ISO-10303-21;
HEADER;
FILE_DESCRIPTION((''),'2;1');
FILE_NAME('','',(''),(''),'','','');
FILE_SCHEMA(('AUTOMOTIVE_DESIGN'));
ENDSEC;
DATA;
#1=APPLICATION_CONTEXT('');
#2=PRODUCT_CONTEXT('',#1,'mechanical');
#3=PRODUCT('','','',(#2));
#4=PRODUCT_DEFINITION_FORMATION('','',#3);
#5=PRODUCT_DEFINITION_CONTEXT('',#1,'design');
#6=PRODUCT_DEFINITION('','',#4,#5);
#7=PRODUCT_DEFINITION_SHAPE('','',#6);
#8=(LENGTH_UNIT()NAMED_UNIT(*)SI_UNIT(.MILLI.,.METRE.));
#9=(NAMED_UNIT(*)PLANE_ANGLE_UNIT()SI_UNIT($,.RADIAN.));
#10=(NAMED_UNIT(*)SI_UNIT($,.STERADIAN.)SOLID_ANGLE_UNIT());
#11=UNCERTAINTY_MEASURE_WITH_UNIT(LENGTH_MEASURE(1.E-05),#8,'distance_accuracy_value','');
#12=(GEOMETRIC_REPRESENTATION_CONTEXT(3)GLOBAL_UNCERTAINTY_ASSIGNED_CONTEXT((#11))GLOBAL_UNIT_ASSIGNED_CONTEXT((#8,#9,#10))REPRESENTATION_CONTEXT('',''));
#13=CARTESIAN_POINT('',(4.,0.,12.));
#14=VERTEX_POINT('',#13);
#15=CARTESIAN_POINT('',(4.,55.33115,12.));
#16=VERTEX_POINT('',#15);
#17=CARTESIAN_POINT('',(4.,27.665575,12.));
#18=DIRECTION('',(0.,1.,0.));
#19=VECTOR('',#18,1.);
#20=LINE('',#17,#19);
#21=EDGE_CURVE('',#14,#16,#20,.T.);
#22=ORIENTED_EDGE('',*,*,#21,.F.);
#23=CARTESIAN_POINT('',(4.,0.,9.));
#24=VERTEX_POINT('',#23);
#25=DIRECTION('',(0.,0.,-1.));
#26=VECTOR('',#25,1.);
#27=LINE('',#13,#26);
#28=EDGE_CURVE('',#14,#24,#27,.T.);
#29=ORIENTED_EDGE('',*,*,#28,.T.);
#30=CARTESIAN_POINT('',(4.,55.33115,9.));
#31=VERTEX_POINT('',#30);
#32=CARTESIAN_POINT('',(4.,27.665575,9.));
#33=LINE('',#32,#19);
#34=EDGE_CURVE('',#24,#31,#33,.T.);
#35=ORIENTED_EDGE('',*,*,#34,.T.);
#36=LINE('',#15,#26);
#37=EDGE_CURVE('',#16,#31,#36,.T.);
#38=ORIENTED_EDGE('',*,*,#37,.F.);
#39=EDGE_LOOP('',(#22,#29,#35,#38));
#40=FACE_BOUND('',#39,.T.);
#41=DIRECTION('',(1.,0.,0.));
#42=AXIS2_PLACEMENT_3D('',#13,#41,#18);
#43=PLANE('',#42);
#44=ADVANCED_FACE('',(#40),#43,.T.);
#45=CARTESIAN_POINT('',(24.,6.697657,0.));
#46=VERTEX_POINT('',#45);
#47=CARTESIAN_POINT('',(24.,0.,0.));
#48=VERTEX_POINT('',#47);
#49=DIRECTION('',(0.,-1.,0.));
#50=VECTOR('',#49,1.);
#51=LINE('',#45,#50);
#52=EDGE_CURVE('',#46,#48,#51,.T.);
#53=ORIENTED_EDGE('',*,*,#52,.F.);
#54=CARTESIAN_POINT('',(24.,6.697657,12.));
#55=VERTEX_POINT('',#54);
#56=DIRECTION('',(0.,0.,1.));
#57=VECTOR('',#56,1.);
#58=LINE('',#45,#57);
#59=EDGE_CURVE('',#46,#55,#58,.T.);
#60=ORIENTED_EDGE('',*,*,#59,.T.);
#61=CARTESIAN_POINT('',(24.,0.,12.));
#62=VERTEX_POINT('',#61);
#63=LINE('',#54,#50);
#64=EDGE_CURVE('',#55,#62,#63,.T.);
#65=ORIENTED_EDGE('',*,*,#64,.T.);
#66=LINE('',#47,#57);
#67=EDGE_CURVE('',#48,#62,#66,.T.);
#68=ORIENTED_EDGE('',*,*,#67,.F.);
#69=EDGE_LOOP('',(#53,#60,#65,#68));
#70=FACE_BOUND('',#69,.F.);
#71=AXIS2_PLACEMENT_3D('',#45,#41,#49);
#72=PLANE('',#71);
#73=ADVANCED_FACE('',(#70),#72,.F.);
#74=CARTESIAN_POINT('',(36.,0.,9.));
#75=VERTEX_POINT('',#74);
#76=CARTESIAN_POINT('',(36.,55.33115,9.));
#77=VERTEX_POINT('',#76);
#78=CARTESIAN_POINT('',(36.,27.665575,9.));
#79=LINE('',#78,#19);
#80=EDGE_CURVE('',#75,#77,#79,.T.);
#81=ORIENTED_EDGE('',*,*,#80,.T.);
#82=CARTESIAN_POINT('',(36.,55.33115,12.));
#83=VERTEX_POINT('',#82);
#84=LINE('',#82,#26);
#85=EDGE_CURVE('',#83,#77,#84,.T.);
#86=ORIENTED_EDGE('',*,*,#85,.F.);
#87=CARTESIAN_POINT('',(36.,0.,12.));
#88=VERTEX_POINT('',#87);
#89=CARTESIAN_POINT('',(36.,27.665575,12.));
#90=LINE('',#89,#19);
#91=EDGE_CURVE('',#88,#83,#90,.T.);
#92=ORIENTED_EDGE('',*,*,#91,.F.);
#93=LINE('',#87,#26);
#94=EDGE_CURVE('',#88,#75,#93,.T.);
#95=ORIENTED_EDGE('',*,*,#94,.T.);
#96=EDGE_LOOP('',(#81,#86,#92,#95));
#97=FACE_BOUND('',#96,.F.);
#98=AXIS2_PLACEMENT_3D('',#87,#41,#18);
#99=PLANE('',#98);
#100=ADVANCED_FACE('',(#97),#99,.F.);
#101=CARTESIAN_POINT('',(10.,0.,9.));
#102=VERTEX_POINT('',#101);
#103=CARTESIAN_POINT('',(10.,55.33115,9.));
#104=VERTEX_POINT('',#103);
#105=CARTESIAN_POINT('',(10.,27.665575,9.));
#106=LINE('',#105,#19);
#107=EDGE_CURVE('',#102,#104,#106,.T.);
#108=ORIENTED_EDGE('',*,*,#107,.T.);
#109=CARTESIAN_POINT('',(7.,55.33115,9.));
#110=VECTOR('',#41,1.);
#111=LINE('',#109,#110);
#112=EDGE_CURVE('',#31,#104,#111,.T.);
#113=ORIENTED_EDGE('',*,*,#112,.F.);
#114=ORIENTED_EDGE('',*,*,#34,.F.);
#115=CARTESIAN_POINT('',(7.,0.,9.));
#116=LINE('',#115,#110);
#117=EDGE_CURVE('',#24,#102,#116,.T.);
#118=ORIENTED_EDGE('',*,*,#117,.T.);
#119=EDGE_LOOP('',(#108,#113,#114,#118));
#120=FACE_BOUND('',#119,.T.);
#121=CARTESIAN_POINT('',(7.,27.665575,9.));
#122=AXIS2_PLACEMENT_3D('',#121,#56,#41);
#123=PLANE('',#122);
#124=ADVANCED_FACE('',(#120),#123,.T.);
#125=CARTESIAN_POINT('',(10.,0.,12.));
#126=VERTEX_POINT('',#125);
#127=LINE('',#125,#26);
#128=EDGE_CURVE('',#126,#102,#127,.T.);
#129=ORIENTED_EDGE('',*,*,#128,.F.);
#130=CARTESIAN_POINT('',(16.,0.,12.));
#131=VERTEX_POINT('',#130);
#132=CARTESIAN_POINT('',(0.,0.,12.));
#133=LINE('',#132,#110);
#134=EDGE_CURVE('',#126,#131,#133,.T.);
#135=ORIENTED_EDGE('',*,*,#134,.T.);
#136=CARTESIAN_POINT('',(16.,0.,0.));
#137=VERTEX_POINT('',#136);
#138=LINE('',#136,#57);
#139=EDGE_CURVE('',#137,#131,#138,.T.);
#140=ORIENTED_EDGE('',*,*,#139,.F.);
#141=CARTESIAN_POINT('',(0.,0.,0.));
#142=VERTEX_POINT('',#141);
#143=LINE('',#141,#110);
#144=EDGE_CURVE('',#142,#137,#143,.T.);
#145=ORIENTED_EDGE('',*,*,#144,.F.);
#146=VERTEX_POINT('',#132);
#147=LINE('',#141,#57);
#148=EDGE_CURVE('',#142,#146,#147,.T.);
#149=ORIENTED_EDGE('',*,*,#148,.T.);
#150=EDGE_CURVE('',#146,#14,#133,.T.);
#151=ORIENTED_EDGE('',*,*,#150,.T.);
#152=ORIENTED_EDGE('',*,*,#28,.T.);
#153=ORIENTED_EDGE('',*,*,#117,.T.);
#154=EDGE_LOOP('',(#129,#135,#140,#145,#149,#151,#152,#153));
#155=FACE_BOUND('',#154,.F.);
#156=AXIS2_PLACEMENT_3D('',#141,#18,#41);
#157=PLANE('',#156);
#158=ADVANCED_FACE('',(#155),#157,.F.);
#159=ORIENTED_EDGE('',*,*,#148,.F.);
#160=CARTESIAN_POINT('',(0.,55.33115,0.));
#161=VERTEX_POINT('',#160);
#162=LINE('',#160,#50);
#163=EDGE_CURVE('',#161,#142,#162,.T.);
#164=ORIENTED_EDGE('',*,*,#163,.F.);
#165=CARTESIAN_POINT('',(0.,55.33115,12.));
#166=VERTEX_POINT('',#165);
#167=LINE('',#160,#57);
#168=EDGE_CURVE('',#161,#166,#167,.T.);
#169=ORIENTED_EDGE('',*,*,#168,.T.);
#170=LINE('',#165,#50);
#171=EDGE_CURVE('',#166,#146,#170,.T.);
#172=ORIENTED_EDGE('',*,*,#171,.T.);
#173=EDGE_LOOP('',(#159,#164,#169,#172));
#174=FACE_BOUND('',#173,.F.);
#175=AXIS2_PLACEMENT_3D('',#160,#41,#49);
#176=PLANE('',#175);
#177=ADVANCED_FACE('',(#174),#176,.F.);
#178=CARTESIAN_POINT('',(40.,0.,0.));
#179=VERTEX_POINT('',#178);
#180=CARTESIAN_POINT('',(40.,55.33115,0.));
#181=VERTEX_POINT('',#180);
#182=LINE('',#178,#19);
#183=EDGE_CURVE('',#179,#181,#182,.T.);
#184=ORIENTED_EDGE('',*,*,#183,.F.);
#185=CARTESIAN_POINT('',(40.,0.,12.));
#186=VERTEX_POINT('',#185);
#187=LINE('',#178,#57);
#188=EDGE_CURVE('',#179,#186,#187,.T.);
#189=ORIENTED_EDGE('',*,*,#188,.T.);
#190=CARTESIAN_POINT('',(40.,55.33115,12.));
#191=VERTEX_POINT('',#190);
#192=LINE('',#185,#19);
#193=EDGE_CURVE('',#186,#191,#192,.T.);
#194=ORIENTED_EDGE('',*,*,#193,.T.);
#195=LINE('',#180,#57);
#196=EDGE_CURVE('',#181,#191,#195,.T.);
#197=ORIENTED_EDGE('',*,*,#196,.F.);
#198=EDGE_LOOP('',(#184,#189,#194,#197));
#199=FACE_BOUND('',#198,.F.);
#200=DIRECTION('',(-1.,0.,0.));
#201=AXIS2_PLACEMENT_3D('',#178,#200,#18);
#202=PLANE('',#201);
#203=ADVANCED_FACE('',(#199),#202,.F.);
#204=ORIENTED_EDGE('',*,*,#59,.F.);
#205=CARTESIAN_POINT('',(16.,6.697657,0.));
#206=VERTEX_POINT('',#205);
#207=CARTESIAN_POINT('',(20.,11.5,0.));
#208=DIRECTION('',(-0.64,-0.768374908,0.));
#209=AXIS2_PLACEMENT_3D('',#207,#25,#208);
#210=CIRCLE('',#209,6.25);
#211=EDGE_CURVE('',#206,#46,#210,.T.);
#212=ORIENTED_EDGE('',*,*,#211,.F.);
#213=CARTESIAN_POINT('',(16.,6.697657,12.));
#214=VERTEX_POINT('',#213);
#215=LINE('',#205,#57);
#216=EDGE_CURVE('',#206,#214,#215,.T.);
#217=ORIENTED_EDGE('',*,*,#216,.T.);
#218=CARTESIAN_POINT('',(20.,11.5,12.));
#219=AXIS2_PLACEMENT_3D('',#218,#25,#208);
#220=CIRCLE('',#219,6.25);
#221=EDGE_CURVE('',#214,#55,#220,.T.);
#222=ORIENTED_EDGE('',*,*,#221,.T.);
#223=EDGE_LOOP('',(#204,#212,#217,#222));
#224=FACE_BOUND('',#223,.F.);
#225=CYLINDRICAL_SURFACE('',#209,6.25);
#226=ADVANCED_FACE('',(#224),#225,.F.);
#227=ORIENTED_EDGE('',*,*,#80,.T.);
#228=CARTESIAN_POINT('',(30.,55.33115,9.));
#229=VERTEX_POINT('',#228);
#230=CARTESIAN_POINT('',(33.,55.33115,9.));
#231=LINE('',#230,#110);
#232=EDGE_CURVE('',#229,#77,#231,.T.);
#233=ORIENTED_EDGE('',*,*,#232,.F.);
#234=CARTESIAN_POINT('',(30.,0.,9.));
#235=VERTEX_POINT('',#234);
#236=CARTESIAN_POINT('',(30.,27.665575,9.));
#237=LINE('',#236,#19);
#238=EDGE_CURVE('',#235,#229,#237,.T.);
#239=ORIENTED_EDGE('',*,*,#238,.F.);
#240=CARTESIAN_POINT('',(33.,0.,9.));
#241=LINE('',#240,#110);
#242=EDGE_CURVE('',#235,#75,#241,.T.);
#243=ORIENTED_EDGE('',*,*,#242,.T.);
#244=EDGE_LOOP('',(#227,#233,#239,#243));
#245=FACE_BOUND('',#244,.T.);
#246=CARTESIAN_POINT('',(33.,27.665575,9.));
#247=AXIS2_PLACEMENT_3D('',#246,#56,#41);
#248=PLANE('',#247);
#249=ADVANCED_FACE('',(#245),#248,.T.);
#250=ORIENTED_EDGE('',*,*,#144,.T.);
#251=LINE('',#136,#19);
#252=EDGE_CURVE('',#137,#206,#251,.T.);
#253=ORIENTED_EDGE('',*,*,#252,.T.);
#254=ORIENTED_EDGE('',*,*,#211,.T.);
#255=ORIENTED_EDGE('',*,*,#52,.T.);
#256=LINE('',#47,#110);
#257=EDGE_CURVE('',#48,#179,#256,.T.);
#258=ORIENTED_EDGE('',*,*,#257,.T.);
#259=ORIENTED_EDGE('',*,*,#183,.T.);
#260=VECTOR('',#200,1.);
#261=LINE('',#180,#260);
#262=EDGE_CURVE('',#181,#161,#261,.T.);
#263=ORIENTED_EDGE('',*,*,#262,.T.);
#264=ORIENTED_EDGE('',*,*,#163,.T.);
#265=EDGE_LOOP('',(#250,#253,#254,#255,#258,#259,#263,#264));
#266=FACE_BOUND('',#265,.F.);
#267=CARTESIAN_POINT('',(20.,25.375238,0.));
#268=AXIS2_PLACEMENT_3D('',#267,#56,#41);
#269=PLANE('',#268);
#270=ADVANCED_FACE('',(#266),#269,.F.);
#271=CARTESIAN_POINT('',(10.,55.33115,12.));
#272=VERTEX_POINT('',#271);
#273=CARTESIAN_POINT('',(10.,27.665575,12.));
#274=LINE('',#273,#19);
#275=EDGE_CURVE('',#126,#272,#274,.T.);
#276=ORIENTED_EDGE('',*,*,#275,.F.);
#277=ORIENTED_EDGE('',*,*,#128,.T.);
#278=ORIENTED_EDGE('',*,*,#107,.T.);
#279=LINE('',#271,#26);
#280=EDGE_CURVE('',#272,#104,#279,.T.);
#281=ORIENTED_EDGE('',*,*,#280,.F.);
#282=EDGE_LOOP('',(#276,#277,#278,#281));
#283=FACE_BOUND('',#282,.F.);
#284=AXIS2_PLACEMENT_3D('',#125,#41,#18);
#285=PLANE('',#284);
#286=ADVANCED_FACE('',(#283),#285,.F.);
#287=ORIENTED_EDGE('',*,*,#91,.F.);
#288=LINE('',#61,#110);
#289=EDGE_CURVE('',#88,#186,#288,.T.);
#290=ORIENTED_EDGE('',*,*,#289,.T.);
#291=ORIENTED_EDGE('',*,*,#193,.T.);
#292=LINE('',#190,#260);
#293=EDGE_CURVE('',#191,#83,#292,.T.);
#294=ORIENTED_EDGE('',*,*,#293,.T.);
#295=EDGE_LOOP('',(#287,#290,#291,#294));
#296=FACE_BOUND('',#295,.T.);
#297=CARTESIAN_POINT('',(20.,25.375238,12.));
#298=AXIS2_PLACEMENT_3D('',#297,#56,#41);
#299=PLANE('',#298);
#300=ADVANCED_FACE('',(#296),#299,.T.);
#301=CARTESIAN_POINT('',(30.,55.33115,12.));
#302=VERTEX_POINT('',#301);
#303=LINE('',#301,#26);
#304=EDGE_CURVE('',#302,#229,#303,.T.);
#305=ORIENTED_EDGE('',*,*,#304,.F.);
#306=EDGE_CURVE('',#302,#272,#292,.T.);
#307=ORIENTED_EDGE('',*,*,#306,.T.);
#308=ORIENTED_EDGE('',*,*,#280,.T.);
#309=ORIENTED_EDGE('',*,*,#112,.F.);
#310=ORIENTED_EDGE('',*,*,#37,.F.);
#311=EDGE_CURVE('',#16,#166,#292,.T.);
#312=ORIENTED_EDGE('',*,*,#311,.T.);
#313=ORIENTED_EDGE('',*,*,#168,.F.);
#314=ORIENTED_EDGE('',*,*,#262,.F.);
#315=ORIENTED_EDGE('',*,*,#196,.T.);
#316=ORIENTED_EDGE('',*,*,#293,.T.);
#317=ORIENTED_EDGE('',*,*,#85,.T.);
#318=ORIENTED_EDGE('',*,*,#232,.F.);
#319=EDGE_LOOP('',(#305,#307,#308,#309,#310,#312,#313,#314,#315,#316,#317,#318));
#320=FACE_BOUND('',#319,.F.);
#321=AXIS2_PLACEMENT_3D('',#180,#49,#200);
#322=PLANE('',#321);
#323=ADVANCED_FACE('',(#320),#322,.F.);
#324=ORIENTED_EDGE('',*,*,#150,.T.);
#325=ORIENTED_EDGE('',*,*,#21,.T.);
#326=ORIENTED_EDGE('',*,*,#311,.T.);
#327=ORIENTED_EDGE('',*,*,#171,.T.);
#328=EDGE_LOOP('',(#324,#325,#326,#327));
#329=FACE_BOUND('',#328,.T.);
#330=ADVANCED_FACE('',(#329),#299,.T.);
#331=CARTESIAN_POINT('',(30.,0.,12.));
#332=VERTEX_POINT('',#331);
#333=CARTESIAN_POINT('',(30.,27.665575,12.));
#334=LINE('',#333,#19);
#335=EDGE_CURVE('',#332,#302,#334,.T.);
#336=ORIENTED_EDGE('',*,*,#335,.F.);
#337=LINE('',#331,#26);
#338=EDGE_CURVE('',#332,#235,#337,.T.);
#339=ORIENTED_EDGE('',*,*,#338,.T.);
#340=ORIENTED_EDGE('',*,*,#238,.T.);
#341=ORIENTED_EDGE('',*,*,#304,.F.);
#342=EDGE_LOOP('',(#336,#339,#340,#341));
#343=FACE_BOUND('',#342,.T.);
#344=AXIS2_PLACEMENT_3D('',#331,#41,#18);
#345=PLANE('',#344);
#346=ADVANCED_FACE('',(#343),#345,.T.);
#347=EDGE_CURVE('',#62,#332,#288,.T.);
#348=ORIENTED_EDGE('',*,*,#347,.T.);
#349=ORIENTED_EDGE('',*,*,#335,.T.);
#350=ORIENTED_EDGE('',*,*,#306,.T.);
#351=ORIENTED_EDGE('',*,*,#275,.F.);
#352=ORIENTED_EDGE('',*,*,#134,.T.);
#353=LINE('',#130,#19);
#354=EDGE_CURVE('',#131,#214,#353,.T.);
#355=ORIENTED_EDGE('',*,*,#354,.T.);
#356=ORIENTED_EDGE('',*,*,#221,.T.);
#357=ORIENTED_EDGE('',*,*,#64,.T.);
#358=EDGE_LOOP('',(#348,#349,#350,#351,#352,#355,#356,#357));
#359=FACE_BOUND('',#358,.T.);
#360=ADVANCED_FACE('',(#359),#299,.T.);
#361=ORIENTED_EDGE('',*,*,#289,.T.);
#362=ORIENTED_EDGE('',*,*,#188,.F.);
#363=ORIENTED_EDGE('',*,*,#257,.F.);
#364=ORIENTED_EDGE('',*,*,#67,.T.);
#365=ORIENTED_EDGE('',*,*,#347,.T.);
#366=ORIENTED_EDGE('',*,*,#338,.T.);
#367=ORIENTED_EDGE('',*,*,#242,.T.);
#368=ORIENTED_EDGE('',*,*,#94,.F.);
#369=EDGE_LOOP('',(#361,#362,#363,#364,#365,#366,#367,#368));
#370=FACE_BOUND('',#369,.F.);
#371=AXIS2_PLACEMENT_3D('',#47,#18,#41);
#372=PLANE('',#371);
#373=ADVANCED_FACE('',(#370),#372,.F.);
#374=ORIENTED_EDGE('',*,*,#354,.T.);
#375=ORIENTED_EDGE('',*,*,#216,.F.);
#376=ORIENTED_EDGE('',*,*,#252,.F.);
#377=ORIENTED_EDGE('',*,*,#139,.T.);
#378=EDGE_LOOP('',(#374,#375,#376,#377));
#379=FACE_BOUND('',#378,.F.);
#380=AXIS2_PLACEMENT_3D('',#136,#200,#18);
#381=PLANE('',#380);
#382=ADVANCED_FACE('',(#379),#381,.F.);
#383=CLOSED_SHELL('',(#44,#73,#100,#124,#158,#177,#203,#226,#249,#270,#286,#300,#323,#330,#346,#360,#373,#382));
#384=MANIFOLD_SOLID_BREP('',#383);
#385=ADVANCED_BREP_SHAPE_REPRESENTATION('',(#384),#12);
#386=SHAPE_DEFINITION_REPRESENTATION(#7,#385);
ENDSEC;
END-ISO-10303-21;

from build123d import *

# Parameters (mm, degrees)
F1_DEPTH = 12
F2_W     = 6
F2_H     = 55.3311501741
F3_DEPTH = 3


with BuildPart() as f1:
    # F0 (on Top) → F1 (new body)
    with BuildSketch(Plane.XY):
        with BuildLine():
            Line((0, 55.3311501741), (0, 0))
            Line((0, 0), (16, 0))
            Line((16, 0), (16, 6.6976568219))
            ThreePointArc((16, 6.6976568219), (20, 17.75), (24, 6.6976568219))
            Line((24, 6.6976568219), (24, 0))
            Line((24, 0), (40, 0))
            Line((40, 0), (40, 55.3311501741))
            Line((40, 55.3311501741), (22.5, 55.3311501741))
            Line((22.5, 55.3311501741), (17.5, 55.3311501741))
            Line((17.5, 55.3311501741), (0, 55.3311501741))
        make_face()
    extrude(amount=F1_DEPTH)

    # F2 (on face) → F3 (cut)
    with BuildSketch(Plane.XY.offset(12)):
        with Locations((7, 27.6655750871)):
            Rectangle(F2_W, F2_H)
        with Locations((33, 27.6655750871)):
            Rectangle(F2_W, F2_H)
    extrude(amount=-F3_DEPTH, mode=Mode.SUBTRACT)


solid = f1.part
